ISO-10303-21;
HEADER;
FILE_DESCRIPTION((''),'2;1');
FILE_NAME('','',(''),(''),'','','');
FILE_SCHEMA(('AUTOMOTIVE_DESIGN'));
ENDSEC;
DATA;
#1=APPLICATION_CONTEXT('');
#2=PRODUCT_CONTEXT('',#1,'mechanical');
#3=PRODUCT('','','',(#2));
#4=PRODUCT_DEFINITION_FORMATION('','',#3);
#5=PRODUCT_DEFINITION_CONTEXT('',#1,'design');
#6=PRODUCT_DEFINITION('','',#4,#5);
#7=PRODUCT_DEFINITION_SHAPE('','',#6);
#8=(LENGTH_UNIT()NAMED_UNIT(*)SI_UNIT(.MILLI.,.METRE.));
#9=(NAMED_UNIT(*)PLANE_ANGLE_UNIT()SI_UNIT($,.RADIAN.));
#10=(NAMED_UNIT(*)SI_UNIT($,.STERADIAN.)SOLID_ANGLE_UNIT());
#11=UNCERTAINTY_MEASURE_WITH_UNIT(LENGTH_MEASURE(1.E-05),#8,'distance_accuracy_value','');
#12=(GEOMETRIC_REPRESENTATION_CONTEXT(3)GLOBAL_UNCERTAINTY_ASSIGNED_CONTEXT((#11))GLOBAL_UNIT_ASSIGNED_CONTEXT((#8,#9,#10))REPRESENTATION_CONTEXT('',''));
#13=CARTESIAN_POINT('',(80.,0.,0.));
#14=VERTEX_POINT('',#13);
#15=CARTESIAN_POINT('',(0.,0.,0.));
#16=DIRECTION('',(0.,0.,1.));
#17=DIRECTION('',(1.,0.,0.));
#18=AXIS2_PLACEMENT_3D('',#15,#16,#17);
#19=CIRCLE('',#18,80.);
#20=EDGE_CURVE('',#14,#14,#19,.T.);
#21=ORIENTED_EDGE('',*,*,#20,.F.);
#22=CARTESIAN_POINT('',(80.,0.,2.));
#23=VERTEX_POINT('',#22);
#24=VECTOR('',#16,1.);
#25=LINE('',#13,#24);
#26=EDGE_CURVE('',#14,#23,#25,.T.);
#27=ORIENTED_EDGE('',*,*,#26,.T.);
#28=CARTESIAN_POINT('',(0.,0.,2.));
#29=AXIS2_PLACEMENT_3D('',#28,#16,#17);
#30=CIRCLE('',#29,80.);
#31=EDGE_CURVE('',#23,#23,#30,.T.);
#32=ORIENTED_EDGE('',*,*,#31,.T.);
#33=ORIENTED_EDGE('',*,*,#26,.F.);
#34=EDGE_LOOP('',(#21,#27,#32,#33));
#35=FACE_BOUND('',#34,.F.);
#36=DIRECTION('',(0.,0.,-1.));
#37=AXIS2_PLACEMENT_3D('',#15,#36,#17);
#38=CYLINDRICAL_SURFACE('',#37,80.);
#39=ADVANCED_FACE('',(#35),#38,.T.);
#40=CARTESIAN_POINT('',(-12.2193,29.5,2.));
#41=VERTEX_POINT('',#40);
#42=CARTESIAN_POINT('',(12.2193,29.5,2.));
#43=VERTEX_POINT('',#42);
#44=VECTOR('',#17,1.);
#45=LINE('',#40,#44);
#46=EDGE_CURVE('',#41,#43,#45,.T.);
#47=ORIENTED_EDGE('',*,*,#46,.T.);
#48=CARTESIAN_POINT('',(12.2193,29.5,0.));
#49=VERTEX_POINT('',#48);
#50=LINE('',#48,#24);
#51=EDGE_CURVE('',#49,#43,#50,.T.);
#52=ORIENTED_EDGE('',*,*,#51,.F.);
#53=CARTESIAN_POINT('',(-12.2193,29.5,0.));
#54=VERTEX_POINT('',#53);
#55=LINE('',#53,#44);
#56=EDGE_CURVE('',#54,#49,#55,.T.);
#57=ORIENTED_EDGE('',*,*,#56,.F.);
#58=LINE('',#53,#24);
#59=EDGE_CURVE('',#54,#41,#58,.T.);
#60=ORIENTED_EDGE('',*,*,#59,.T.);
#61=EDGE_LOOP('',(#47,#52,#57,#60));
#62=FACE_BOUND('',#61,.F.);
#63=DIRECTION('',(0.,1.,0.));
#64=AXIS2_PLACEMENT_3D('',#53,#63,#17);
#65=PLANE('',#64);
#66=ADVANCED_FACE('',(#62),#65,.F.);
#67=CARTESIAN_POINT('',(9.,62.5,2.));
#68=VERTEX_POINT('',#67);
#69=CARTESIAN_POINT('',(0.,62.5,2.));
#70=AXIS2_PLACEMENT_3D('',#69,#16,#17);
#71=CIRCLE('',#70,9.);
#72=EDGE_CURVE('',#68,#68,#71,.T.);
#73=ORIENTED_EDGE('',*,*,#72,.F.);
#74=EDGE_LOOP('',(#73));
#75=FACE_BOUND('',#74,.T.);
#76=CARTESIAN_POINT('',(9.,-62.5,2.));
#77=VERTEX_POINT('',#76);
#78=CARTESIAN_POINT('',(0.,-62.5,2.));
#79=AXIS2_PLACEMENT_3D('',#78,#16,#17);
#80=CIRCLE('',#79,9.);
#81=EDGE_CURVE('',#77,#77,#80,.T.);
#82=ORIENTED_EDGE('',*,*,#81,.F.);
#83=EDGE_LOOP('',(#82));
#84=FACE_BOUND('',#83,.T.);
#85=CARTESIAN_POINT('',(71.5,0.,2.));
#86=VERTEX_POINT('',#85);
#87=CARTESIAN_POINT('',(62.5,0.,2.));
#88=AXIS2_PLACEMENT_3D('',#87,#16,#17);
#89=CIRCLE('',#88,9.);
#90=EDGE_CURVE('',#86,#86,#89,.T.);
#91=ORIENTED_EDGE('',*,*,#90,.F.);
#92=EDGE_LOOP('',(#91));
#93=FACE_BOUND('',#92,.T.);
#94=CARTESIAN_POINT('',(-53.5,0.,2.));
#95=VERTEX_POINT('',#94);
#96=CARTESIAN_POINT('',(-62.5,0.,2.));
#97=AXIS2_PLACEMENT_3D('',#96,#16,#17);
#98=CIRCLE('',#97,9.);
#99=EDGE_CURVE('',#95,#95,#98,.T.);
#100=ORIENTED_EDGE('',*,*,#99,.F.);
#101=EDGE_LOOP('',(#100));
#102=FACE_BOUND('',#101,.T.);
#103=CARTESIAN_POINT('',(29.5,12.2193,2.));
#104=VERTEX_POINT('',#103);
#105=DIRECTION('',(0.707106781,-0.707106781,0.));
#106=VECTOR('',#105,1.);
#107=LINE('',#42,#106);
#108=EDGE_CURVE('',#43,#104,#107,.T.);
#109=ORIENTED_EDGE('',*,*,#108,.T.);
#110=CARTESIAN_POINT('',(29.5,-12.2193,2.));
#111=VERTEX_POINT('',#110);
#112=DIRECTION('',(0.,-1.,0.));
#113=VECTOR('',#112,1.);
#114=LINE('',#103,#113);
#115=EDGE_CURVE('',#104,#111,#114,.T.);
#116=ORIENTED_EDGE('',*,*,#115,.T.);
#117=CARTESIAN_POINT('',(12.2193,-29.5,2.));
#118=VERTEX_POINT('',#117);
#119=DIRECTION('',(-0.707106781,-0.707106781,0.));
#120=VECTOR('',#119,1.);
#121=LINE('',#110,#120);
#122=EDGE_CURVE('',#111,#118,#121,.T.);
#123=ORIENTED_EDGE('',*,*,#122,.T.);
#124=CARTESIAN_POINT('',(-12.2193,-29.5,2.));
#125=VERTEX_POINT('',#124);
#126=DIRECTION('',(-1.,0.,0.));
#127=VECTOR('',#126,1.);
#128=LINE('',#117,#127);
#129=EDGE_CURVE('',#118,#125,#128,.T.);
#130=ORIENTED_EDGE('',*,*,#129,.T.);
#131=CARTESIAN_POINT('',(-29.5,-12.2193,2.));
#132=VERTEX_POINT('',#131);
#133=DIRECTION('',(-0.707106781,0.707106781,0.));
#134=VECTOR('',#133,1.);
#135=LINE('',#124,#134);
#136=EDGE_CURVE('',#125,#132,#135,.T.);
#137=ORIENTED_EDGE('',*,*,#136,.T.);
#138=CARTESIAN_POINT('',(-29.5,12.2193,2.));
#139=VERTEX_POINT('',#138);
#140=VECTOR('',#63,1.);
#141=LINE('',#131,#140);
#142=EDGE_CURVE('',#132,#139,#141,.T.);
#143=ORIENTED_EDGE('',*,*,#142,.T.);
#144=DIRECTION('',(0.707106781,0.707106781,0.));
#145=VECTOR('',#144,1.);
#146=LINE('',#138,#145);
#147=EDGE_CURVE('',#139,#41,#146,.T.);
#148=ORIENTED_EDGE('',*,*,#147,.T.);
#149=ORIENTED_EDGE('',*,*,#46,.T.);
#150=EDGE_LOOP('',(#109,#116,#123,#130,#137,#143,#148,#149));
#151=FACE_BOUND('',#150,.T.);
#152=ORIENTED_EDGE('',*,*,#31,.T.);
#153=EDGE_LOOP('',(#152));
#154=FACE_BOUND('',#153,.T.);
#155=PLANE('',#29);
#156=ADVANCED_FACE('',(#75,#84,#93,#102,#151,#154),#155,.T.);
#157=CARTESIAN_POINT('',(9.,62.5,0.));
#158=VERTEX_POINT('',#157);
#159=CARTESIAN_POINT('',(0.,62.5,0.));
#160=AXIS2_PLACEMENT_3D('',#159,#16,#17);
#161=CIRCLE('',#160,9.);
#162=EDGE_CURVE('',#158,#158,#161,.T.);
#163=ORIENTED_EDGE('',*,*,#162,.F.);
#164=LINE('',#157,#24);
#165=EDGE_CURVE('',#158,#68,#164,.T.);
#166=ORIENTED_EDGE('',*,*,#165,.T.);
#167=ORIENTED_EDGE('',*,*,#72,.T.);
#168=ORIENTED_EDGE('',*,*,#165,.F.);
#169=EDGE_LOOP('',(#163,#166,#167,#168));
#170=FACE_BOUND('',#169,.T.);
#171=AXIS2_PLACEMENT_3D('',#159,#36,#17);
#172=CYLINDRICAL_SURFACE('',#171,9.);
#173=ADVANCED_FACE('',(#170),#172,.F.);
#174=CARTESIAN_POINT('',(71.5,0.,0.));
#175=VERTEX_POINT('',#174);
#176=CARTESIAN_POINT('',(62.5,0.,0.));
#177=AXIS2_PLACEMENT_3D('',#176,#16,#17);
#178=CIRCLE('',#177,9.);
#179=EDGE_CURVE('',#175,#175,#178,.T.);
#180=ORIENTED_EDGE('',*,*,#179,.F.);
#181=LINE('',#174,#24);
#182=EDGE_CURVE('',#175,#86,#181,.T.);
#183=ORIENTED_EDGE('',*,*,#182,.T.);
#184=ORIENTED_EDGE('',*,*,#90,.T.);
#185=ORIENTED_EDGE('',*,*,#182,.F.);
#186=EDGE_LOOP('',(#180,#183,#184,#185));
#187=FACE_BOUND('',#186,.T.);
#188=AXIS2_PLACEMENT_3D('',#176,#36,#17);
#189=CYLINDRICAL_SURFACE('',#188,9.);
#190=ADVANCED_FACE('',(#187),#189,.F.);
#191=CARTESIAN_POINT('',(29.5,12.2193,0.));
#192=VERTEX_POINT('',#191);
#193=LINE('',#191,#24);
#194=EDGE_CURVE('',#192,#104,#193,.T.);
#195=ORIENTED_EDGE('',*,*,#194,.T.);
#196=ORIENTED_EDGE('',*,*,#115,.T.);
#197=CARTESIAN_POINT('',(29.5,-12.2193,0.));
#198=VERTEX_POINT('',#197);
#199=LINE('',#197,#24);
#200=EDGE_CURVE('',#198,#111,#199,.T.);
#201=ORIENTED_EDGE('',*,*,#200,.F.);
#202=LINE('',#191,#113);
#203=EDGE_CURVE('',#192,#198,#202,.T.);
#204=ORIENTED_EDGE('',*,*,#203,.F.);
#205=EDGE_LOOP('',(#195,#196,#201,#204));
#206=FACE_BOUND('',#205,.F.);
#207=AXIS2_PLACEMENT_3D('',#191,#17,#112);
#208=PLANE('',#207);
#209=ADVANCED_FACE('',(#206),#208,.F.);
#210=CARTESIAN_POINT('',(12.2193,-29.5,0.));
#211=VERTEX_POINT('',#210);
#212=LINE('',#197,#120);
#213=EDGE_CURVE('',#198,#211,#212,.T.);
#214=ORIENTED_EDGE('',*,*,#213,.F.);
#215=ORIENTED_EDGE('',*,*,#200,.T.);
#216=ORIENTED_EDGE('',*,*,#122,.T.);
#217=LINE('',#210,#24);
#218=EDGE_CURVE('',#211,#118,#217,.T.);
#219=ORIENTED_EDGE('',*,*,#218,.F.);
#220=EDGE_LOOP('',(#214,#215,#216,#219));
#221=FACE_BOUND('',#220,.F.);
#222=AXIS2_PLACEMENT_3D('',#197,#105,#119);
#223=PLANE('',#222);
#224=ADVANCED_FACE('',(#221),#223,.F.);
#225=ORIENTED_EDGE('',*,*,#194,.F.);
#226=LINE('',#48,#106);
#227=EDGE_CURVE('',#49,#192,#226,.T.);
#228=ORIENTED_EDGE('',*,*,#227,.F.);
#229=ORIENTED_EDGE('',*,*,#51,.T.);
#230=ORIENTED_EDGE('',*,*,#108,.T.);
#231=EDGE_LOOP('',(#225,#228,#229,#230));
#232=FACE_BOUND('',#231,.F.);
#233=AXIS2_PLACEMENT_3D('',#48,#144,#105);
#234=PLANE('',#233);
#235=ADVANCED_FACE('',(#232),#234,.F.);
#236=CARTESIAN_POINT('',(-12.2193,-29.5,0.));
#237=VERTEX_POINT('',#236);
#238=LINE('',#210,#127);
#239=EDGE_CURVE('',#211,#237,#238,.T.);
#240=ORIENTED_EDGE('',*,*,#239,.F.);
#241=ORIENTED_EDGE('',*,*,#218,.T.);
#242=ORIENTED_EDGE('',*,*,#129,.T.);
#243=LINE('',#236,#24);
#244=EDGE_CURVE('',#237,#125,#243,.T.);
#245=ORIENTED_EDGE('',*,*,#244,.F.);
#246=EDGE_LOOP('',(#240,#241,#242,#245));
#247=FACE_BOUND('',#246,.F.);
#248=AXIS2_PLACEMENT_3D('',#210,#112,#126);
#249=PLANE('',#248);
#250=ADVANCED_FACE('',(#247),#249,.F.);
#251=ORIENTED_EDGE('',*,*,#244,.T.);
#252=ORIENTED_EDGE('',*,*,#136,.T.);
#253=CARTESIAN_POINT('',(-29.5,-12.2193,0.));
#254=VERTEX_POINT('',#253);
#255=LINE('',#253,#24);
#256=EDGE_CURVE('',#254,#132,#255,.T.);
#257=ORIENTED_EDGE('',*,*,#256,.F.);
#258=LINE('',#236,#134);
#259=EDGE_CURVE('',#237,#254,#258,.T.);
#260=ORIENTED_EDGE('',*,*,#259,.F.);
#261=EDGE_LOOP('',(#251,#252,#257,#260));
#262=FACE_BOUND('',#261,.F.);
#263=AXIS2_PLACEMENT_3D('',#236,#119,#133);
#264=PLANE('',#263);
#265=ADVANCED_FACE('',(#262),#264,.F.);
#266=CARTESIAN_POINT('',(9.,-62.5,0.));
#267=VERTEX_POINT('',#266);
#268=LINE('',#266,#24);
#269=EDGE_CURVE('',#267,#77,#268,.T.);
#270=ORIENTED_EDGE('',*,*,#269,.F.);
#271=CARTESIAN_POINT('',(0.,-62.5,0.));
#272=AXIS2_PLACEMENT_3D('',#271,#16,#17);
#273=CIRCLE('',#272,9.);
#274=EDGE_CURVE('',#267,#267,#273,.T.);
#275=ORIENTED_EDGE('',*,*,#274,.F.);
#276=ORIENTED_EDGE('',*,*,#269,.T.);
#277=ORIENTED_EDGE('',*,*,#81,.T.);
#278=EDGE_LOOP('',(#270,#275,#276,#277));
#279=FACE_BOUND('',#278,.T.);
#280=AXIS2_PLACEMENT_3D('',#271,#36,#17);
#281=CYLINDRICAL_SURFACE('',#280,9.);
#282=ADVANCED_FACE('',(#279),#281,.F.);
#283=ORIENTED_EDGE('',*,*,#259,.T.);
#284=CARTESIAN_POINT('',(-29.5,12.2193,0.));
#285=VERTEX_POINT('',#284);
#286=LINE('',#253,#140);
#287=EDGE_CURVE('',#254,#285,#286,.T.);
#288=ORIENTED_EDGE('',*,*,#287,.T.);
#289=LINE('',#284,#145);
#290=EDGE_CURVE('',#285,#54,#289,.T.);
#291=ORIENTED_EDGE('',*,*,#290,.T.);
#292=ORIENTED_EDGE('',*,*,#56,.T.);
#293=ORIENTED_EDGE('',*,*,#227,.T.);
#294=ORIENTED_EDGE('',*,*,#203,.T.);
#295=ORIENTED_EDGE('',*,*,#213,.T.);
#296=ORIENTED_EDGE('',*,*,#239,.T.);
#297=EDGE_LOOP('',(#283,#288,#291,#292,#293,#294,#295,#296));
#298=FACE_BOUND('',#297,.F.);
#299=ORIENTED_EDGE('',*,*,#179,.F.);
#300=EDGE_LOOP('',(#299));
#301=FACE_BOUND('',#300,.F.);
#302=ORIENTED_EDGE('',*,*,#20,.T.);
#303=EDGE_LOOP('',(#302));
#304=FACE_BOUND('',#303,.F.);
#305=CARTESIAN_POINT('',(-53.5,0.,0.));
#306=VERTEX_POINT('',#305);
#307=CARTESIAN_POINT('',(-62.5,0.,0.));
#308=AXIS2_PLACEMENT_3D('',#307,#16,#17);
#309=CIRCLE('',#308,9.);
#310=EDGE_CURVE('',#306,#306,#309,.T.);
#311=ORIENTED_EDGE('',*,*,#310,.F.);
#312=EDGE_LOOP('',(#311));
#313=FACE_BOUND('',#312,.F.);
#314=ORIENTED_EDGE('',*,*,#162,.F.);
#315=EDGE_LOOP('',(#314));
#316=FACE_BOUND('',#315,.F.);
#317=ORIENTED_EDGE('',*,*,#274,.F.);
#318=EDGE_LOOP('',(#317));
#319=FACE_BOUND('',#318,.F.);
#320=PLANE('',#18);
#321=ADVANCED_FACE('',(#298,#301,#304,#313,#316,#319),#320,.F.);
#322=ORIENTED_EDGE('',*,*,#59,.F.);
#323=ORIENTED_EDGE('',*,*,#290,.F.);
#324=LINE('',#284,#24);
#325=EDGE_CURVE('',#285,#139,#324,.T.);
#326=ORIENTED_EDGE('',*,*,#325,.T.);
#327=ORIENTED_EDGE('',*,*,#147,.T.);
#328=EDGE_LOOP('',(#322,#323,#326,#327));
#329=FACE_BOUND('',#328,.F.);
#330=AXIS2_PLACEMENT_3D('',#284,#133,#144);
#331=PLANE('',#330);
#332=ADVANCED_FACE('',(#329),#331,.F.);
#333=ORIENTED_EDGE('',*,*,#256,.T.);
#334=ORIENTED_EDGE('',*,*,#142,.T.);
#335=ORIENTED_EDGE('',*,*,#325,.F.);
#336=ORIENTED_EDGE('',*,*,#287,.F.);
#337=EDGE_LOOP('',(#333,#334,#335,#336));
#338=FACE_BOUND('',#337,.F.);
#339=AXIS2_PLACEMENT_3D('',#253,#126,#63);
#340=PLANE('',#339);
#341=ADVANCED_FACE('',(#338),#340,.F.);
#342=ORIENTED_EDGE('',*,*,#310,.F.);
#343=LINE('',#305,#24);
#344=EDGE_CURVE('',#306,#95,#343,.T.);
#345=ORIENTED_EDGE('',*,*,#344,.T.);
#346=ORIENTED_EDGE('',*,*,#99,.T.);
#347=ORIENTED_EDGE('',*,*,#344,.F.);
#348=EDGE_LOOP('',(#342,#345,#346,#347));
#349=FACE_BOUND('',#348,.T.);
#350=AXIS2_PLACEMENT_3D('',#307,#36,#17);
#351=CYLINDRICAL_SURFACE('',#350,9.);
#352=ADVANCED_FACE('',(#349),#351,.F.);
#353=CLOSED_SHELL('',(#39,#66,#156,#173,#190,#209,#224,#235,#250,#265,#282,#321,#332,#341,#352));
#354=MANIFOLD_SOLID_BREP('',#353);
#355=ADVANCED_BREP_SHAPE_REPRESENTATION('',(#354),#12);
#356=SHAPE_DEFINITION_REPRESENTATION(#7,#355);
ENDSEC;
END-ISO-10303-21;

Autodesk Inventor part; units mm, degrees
ref_plane "YZ Plane" through (0, 0, 0) normal (1, 0, 0) x (0, 1, 0)
ref_plane "XZ Plane" through (0, 0, 0) normal (0, 1, 0) x (-1, 0, 0)
ref_plane "XY Plane" through (0, 0, 0) normal (0, 0, 1) x (1, 0, 0)
sketch "Sketch1" plane through (0, 0, 0) normal (0, 0, 1) x (1, 0, 0)
  circle A0 centre (0, 0) radius 62.5 construction
  circle A1 centre (0, 0) radius 29.5 construction
  circle A2 centre (0, 0) radius 80
  line L0 (12.2193, 29.5) -> (29.5, 12.2193)
  line L1 (29.5, 12.2193) -> (29.5, -12.2193)
  line L2 (29.5, -12.2193) -> (12.2193, -29.5)
  line L3 (12.2193, -29.5) -> (-12.2193, -29.5)
  line L4 (-12.2193, -29.5) -> (-29.5, -12.2193)
  line L5 (-29.5, -12.2193) -> (-29.5, 12.2193)
  line L6 (-29.5, 12.2193) -> (-12.2193, 29.5)
  line L7 (-12.2193, 29.5) -> (12.2193, 29.5)
  circle A3 centre (0, 62.5) radius 9
  circle A4 centre (-62.5, 0) radius 9
  circle A5 centre (0, -62.5) radius 9
  circle A6 centre (62.5, 0) radius 9
  point P0 (0, 29.5)
  dimension "D_b_c" = 125
  dimension "D_min" = 59
  dimension "D_max" = 160
  dimension "Blt_hl" = 18
  dimension "d177" = 360
extrude "Plate5" add sketch "Sketch1" along normal blind 2
properties part number "SLM 1792  funnel FLANGE 1200 50-90_1000x90" material "Stainless Steel"
